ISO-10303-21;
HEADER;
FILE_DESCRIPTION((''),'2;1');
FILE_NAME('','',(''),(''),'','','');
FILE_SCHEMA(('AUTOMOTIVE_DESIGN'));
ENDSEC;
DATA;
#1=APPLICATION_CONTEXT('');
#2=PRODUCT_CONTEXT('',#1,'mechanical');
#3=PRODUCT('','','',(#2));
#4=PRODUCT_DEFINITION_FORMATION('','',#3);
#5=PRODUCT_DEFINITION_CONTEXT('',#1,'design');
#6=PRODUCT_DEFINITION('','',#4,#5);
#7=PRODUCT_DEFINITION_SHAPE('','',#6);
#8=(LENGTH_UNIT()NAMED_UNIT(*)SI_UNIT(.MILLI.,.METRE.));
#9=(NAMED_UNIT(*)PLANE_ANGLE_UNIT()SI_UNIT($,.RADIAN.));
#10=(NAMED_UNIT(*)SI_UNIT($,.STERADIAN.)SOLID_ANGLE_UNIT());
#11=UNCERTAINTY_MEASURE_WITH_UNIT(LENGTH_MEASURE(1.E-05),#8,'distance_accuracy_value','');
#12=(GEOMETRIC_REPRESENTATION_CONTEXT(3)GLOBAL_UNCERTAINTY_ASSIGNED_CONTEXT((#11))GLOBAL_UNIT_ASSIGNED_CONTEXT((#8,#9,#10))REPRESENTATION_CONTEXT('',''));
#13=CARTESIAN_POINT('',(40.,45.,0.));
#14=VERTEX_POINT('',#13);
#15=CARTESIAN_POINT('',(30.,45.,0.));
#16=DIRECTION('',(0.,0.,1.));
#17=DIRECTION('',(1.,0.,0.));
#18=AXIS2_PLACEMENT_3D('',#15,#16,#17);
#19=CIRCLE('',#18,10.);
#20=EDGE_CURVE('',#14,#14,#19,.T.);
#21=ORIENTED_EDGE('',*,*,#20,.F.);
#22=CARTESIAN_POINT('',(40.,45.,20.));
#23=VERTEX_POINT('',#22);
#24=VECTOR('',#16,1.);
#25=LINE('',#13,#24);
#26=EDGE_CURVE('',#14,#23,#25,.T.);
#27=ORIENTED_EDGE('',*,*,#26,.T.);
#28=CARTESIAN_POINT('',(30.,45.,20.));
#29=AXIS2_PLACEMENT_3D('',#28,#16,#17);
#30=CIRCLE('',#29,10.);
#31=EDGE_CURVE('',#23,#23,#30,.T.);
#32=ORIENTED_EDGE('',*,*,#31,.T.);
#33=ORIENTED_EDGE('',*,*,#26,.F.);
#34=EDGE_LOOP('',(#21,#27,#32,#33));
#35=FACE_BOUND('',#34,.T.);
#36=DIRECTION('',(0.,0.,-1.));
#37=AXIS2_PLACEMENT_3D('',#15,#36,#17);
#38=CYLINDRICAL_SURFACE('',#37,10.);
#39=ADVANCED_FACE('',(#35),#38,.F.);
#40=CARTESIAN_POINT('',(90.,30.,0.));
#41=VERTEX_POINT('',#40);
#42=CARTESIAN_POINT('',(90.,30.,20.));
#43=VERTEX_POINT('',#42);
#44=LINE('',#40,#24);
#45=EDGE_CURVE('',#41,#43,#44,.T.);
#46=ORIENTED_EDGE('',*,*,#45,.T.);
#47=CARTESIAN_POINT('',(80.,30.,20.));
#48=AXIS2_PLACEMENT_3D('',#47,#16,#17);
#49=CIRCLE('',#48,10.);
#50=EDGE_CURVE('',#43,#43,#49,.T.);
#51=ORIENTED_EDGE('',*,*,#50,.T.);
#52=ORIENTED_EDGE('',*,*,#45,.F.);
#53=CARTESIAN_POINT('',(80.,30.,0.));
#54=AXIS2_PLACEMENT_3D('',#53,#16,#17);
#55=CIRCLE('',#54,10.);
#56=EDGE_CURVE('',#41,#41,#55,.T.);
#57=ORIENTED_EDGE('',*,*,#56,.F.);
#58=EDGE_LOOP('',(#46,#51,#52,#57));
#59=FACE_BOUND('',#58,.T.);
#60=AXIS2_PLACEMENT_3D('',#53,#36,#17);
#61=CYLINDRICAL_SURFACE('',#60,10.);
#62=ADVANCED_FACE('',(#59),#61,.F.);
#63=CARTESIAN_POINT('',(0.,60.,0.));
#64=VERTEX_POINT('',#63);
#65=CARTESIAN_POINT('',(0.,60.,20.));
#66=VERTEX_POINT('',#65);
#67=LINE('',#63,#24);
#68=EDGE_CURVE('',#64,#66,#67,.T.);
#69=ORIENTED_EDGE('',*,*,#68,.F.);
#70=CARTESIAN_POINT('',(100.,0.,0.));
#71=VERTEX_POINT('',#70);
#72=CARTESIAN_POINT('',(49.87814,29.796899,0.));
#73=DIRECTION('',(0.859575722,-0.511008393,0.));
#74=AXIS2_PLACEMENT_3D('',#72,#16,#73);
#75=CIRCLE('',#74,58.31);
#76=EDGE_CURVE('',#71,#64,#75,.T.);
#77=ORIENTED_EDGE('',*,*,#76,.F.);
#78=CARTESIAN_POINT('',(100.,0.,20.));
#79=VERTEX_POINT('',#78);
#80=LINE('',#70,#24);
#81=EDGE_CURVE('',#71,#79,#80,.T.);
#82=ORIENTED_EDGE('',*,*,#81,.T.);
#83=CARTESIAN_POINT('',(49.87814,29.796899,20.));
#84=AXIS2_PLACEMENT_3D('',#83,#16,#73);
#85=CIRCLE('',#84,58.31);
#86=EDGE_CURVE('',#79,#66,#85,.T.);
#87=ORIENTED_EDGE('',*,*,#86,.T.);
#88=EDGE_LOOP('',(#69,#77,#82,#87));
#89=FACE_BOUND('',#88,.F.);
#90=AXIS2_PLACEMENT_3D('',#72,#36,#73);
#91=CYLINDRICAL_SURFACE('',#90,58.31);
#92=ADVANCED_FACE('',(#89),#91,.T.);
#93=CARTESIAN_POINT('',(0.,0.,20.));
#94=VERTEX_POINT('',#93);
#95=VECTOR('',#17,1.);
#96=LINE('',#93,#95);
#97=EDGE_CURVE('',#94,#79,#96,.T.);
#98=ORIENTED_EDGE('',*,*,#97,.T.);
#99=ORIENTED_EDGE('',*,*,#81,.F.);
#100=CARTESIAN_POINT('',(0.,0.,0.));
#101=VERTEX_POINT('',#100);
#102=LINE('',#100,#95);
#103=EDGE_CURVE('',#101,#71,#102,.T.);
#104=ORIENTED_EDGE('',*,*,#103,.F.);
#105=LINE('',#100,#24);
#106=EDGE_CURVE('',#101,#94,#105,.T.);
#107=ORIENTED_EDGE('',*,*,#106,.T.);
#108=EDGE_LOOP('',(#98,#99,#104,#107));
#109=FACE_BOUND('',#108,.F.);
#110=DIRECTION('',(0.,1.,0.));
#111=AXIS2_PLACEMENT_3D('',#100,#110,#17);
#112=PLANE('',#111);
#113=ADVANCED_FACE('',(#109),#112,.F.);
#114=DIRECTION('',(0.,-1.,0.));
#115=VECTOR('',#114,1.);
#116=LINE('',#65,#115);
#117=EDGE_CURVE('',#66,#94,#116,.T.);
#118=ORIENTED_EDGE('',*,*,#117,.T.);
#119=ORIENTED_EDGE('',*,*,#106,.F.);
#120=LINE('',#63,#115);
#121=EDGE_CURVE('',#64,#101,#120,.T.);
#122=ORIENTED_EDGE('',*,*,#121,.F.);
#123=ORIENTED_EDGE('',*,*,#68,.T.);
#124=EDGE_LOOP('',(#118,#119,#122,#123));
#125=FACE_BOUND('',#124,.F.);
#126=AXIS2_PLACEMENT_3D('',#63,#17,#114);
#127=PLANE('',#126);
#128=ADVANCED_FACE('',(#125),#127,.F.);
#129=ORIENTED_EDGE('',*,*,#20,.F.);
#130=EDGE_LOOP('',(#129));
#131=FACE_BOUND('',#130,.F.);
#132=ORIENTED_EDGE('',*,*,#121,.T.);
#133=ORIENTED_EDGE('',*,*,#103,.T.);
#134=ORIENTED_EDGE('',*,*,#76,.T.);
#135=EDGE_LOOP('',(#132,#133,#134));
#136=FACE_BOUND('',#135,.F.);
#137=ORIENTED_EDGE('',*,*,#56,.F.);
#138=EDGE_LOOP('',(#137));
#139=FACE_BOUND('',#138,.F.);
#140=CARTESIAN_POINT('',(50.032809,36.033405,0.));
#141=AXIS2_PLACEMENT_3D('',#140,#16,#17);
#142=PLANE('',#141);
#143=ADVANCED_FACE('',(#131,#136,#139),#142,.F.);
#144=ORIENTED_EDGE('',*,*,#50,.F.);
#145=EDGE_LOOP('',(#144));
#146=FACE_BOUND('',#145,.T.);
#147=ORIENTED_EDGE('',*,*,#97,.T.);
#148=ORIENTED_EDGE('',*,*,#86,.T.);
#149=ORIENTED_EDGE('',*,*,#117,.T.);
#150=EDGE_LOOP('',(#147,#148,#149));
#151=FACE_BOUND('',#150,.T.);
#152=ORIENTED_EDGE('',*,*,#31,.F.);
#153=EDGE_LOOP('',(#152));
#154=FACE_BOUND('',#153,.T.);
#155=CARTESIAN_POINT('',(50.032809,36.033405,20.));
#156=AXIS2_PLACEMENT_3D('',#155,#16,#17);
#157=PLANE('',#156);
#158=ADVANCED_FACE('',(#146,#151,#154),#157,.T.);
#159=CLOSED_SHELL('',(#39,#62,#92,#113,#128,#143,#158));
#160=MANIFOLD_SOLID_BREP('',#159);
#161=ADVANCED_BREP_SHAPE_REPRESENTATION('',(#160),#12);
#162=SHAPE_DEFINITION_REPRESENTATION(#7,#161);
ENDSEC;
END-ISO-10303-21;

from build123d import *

# Parameters (mm, degrees)
F0_R     = 10
F1_DEPTH = 20


with BuildPart() as f1:
    # F0 (on Top) → F1 (new body)
    with BuildSketch(Plane.XY):
        with BuildLine():
            Line((0, 60), (0, 0))
            Line((0, 0), (100, 0))
            ThreePointArc((100, 0), (79.878387, 79.797312), (0, 60))
        make_face()
        with Locations((80, 30)):
            Circle(F0_R, mode=Mode.SUBTRACT)
        with Locations((30, 45)):
            Circle(F0_R, mode=Mode.SUBTRACT)
    extrude(amount=F1_DEPTH)


solid = f1.part
